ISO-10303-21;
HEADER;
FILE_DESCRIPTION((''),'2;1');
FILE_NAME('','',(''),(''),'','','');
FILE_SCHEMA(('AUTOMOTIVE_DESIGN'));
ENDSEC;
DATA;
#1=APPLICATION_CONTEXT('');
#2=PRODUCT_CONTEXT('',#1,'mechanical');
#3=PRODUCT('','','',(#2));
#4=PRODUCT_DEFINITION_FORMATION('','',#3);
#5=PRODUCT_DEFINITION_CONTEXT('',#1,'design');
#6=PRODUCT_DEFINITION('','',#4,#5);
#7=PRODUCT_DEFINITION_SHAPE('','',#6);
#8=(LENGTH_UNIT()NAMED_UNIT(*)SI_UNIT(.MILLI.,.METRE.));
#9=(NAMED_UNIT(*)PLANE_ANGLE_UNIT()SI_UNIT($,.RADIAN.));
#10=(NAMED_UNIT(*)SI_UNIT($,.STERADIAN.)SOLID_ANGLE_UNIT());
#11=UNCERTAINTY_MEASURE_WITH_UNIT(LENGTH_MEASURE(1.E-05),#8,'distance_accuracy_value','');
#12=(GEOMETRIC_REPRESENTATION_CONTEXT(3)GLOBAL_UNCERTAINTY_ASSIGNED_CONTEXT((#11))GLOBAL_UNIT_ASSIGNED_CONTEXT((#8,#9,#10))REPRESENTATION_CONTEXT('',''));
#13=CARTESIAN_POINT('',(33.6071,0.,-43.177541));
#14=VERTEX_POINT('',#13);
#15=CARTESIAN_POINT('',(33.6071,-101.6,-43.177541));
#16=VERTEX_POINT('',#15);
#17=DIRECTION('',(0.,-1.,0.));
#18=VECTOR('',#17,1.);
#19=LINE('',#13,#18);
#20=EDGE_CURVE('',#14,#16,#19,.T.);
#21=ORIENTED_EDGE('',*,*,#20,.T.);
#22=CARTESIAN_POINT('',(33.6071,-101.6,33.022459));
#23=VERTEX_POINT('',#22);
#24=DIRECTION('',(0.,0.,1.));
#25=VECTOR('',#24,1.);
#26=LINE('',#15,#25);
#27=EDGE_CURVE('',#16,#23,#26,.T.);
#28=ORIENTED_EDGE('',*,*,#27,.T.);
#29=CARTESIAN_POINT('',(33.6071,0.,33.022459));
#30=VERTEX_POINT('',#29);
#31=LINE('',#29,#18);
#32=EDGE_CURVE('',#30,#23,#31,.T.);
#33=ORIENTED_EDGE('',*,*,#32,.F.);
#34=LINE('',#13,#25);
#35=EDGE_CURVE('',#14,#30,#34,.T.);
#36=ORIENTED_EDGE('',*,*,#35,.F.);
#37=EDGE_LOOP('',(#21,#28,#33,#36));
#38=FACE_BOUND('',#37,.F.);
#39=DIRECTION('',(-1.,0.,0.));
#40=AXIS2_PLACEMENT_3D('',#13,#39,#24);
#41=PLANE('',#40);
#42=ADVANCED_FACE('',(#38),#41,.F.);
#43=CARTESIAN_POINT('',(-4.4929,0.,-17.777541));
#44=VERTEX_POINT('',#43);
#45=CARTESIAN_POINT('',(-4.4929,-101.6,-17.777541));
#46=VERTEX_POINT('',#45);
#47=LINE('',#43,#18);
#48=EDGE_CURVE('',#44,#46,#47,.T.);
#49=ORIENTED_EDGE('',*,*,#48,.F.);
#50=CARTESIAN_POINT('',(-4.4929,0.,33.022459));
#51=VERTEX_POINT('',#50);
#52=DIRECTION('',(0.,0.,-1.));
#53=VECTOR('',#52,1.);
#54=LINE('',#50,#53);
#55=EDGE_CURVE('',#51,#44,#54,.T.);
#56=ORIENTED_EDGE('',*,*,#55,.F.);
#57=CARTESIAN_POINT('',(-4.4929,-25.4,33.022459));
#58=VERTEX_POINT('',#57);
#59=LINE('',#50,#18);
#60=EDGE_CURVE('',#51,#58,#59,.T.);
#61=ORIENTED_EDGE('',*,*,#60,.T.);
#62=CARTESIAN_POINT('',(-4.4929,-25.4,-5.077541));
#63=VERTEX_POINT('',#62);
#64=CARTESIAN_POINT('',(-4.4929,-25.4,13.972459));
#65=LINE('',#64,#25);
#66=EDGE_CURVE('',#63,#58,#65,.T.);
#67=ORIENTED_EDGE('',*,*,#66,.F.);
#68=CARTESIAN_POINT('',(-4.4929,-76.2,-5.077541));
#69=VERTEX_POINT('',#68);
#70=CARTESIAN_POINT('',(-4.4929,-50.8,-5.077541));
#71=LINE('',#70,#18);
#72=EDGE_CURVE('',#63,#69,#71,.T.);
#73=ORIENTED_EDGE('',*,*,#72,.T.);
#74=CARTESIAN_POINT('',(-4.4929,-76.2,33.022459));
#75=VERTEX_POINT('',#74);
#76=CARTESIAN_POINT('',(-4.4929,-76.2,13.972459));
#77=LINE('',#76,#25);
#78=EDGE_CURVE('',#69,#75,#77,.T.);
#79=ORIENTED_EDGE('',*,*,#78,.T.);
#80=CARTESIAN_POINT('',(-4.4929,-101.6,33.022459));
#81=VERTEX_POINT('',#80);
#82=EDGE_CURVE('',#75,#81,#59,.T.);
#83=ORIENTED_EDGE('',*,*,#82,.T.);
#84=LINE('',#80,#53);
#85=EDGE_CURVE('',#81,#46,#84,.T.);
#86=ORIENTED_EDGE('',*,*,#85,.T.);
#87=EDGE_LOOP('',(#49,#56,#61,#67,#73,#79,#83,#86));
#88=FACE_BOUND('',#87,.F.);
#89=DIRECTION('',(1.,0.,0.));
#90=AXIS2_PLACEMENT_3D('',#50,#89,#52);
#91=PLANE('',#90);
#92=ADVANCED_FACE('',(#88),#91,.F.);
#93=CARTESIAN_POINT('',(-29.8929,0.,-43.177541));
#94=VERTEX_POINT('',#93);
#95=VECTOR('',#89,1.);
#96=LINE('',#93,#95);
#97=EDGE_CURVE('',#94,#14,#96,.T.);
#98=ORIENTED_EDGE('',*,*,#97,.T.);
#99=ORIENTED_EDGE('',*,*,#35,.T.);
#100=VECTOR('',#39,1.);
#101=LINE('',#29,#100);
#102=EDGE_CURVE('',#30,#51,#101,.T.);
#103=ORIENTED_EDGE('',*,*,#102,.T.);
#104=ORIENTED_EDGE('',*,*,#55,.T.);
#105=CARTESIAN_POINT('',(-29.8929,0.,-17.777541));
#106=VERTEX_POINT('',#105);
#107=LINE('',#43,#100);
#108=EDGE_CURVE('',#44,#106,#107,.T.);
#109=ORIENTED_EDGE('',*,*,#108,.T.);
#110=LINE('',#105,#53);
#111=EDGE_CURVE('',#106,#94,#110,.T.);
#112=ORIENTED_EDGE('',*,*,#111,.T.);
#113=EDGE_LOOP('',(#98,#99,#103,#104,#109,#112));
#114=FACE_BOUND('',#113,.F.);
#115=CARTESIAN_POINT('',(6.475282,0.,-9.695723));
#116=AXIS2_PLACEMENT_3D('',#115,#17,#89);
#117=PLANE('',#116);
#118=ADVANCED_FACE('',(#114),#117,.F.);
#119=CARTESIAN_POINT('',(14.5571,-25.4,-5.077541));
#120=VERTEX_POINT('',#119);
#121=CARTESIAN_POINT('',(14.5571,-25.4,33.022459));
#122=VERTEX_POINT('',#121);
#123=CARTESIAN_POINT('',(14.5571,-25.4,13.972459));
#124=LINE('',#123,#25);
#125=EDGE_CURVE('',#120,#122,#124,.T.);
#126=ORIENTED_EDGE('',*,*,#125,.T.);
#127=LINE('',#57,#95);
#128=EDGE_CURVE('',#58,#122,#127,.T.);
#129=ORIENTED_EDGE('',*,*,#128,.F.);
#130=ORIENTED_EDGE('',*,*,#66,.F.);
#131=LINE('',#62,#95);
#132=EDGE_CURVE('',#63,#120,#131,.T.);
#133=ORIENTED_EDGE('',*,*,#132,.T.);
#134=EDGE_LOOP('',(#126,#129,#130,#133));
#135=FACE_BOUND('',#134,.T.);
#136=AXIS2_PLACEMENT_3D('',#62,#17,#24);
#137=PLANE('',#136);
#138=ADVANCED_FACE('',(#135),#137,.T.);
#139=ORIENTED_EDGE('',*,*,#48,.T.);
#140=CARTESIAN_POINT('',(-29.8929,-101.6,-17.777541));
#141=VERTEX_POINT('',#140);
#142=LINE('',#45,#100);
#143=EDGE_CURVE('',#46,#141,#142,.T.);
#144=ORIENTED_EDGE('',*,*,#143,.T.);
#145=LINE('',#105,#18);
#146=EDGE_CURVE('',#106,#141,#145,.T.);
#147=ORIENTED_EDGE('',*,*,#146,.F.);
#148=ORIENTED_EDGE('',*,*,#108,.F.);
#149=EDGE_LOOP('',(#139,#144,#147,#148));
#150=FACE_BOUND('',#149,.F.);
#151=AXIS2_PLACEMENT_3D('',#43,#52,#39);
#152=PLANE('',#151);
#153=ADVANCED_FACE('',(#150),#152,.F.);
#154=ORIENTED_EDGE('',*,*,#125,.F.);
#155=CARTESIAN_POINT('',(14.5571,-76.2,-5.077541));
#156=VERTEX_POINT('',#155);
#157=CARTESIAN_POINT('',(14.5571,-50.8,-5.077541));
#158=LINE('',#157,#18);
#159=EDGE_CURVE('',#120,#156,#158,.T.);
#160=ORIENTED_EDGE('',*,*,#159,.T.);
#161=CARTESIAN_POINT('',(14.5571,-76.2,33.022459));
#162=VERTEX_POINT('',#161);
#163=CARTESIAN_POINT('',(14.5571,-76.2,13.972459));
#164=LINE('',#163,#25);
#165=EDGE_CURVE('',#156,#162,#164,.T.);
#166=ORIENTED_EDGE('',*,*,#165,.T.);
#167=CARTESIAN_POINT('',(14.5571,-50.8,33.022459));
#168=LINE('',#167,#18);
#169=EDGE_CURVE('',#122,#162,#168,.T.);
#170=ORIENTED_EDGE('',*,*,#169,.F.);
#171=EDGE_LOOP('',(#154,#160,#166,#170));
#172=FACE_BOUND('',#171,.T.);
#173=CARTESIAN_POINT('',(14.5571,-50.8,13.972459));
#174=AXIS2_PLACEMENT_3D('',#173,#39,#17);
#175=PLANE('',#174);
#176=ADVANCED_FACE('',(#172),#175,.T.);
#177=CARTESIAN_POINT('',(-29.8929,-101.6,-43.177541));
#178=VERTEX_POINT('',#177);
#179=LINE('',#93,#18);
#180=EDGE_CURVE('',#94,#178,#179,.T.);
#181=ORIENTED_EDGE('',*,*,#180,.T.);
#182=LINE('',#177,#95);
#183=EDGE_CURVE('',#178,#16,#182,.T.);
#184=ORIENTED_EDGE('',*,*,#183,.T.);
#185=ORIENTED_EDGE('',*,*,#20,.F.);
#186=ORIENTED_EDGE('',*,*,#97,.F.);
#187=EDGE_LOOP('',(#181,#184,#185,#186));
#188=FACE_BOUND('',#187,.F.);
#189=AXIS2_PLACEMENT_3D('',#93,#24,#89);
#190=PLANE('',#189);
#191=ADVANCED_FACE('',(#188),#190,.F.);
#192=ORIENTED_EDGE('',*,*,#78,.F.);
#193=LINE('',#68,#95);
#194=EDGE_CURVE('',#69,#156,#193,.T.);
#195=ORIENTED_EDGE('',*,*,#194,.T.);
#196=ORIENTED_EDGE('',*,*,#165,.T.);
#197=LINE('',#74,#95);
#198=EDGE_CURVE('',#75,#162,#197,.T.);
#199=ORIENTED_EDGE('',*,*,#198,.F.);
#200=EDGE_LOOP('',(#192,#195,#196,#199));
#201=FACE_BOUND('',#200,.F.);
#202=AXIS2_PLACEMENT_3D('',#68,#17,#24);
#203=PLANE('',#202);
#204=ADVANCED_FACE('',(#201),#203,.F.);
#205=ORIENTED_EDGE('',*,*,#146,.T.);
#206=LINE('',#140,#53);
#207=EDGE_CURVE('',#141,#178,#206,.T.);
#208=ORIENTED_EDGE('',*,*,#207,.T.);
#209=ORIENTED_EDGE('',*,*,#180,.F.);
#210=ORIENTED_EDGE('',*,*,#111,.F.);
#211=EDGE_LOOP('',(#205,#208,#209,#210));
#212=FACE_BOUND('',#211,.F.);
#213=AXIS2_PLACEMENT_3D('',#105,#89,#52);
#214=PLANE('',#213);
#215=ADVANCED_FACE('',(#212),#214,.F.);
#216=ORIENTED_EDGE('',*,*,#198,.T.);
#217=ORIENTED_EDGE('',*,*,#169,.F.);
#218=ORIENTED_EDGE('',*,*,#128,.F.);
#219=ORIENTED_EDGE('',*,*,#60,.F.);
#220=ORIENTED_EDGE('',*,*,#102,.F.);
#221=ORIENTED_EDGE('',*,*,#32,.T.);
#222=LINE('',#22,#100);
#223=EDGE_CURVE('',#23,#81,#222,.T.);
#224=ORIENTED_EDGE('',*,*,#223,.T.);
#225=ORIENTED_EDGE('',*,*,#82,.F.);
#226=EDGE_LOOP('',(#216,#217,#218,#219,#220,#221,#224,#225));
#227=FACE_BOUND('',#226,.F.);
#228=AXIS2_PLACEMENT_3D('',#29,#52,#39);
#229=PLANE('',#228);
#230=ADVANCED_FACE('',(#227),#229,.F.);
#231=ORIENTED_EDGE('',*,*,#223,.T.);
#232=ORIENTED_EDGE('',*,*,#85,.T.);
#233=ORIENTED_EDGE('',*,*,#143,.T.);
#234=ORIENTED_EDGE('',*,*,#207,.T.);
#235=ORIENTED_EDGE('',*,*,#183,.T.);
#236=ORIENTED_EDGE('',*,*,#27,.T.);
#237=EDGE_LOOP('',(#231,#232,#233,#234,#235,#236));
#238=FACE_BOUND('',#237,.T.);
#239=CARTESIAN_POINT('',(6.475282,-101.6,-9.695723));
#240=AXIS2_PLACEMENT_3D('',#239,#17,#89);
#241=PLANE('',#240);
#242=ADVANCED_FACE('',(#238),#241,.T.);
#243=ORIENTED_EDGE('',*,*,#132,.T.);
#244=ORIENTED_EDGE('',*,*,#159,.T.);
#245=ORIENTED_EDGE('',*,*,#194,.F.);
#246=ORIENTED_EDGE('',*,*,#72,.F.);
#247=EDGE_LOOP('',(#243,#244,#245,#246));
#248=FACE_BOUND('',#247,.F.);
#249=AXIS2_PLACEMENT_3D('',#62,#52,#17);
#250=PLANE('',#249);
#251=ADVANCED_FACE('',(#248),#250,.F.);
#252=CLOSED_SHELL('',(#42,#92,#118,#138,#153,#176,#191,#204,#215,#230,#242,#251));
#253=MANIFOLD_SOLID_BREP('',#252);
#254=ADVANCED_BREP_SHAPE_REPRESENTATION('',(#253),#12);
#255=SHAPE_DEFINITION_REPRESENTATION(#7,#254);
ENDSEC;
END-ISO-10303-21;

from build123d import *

# Parameters (mm, degrees)
F1_DEPTH = 101.6
F2_W     = 50.8
F2_H     = 38.1
F3_DEPTH = 19.05


with BuildPart() as f1:
    # F0 (on Front) → F1 (new body)
    with BuildSketch(Plane.XZ):
        Polygon((-29.8929, -17.777541), (-29.8929, -43.177541), (33.6071, -43.177541), (33.6071, 33.022459), (-4.4929, 33.022459), (-4.4929, -17.777541), align=None)
    extrude(amount=F1_DEPTH)

    # F2 (on face) → F3 (cut)
    with BuildSketch(Plane(origin=(-4.4929, 0, 0), x_dir=(0, -1, 0), z_dir=(-1, 0, 0))):
        with Locations((50.8, 13.972459)):
            Rectangle(F2_W, F2_H)
    extrude(amount=-F3_DEPTH, mode=Mode.SUBTRACT)


solid = f1.part
